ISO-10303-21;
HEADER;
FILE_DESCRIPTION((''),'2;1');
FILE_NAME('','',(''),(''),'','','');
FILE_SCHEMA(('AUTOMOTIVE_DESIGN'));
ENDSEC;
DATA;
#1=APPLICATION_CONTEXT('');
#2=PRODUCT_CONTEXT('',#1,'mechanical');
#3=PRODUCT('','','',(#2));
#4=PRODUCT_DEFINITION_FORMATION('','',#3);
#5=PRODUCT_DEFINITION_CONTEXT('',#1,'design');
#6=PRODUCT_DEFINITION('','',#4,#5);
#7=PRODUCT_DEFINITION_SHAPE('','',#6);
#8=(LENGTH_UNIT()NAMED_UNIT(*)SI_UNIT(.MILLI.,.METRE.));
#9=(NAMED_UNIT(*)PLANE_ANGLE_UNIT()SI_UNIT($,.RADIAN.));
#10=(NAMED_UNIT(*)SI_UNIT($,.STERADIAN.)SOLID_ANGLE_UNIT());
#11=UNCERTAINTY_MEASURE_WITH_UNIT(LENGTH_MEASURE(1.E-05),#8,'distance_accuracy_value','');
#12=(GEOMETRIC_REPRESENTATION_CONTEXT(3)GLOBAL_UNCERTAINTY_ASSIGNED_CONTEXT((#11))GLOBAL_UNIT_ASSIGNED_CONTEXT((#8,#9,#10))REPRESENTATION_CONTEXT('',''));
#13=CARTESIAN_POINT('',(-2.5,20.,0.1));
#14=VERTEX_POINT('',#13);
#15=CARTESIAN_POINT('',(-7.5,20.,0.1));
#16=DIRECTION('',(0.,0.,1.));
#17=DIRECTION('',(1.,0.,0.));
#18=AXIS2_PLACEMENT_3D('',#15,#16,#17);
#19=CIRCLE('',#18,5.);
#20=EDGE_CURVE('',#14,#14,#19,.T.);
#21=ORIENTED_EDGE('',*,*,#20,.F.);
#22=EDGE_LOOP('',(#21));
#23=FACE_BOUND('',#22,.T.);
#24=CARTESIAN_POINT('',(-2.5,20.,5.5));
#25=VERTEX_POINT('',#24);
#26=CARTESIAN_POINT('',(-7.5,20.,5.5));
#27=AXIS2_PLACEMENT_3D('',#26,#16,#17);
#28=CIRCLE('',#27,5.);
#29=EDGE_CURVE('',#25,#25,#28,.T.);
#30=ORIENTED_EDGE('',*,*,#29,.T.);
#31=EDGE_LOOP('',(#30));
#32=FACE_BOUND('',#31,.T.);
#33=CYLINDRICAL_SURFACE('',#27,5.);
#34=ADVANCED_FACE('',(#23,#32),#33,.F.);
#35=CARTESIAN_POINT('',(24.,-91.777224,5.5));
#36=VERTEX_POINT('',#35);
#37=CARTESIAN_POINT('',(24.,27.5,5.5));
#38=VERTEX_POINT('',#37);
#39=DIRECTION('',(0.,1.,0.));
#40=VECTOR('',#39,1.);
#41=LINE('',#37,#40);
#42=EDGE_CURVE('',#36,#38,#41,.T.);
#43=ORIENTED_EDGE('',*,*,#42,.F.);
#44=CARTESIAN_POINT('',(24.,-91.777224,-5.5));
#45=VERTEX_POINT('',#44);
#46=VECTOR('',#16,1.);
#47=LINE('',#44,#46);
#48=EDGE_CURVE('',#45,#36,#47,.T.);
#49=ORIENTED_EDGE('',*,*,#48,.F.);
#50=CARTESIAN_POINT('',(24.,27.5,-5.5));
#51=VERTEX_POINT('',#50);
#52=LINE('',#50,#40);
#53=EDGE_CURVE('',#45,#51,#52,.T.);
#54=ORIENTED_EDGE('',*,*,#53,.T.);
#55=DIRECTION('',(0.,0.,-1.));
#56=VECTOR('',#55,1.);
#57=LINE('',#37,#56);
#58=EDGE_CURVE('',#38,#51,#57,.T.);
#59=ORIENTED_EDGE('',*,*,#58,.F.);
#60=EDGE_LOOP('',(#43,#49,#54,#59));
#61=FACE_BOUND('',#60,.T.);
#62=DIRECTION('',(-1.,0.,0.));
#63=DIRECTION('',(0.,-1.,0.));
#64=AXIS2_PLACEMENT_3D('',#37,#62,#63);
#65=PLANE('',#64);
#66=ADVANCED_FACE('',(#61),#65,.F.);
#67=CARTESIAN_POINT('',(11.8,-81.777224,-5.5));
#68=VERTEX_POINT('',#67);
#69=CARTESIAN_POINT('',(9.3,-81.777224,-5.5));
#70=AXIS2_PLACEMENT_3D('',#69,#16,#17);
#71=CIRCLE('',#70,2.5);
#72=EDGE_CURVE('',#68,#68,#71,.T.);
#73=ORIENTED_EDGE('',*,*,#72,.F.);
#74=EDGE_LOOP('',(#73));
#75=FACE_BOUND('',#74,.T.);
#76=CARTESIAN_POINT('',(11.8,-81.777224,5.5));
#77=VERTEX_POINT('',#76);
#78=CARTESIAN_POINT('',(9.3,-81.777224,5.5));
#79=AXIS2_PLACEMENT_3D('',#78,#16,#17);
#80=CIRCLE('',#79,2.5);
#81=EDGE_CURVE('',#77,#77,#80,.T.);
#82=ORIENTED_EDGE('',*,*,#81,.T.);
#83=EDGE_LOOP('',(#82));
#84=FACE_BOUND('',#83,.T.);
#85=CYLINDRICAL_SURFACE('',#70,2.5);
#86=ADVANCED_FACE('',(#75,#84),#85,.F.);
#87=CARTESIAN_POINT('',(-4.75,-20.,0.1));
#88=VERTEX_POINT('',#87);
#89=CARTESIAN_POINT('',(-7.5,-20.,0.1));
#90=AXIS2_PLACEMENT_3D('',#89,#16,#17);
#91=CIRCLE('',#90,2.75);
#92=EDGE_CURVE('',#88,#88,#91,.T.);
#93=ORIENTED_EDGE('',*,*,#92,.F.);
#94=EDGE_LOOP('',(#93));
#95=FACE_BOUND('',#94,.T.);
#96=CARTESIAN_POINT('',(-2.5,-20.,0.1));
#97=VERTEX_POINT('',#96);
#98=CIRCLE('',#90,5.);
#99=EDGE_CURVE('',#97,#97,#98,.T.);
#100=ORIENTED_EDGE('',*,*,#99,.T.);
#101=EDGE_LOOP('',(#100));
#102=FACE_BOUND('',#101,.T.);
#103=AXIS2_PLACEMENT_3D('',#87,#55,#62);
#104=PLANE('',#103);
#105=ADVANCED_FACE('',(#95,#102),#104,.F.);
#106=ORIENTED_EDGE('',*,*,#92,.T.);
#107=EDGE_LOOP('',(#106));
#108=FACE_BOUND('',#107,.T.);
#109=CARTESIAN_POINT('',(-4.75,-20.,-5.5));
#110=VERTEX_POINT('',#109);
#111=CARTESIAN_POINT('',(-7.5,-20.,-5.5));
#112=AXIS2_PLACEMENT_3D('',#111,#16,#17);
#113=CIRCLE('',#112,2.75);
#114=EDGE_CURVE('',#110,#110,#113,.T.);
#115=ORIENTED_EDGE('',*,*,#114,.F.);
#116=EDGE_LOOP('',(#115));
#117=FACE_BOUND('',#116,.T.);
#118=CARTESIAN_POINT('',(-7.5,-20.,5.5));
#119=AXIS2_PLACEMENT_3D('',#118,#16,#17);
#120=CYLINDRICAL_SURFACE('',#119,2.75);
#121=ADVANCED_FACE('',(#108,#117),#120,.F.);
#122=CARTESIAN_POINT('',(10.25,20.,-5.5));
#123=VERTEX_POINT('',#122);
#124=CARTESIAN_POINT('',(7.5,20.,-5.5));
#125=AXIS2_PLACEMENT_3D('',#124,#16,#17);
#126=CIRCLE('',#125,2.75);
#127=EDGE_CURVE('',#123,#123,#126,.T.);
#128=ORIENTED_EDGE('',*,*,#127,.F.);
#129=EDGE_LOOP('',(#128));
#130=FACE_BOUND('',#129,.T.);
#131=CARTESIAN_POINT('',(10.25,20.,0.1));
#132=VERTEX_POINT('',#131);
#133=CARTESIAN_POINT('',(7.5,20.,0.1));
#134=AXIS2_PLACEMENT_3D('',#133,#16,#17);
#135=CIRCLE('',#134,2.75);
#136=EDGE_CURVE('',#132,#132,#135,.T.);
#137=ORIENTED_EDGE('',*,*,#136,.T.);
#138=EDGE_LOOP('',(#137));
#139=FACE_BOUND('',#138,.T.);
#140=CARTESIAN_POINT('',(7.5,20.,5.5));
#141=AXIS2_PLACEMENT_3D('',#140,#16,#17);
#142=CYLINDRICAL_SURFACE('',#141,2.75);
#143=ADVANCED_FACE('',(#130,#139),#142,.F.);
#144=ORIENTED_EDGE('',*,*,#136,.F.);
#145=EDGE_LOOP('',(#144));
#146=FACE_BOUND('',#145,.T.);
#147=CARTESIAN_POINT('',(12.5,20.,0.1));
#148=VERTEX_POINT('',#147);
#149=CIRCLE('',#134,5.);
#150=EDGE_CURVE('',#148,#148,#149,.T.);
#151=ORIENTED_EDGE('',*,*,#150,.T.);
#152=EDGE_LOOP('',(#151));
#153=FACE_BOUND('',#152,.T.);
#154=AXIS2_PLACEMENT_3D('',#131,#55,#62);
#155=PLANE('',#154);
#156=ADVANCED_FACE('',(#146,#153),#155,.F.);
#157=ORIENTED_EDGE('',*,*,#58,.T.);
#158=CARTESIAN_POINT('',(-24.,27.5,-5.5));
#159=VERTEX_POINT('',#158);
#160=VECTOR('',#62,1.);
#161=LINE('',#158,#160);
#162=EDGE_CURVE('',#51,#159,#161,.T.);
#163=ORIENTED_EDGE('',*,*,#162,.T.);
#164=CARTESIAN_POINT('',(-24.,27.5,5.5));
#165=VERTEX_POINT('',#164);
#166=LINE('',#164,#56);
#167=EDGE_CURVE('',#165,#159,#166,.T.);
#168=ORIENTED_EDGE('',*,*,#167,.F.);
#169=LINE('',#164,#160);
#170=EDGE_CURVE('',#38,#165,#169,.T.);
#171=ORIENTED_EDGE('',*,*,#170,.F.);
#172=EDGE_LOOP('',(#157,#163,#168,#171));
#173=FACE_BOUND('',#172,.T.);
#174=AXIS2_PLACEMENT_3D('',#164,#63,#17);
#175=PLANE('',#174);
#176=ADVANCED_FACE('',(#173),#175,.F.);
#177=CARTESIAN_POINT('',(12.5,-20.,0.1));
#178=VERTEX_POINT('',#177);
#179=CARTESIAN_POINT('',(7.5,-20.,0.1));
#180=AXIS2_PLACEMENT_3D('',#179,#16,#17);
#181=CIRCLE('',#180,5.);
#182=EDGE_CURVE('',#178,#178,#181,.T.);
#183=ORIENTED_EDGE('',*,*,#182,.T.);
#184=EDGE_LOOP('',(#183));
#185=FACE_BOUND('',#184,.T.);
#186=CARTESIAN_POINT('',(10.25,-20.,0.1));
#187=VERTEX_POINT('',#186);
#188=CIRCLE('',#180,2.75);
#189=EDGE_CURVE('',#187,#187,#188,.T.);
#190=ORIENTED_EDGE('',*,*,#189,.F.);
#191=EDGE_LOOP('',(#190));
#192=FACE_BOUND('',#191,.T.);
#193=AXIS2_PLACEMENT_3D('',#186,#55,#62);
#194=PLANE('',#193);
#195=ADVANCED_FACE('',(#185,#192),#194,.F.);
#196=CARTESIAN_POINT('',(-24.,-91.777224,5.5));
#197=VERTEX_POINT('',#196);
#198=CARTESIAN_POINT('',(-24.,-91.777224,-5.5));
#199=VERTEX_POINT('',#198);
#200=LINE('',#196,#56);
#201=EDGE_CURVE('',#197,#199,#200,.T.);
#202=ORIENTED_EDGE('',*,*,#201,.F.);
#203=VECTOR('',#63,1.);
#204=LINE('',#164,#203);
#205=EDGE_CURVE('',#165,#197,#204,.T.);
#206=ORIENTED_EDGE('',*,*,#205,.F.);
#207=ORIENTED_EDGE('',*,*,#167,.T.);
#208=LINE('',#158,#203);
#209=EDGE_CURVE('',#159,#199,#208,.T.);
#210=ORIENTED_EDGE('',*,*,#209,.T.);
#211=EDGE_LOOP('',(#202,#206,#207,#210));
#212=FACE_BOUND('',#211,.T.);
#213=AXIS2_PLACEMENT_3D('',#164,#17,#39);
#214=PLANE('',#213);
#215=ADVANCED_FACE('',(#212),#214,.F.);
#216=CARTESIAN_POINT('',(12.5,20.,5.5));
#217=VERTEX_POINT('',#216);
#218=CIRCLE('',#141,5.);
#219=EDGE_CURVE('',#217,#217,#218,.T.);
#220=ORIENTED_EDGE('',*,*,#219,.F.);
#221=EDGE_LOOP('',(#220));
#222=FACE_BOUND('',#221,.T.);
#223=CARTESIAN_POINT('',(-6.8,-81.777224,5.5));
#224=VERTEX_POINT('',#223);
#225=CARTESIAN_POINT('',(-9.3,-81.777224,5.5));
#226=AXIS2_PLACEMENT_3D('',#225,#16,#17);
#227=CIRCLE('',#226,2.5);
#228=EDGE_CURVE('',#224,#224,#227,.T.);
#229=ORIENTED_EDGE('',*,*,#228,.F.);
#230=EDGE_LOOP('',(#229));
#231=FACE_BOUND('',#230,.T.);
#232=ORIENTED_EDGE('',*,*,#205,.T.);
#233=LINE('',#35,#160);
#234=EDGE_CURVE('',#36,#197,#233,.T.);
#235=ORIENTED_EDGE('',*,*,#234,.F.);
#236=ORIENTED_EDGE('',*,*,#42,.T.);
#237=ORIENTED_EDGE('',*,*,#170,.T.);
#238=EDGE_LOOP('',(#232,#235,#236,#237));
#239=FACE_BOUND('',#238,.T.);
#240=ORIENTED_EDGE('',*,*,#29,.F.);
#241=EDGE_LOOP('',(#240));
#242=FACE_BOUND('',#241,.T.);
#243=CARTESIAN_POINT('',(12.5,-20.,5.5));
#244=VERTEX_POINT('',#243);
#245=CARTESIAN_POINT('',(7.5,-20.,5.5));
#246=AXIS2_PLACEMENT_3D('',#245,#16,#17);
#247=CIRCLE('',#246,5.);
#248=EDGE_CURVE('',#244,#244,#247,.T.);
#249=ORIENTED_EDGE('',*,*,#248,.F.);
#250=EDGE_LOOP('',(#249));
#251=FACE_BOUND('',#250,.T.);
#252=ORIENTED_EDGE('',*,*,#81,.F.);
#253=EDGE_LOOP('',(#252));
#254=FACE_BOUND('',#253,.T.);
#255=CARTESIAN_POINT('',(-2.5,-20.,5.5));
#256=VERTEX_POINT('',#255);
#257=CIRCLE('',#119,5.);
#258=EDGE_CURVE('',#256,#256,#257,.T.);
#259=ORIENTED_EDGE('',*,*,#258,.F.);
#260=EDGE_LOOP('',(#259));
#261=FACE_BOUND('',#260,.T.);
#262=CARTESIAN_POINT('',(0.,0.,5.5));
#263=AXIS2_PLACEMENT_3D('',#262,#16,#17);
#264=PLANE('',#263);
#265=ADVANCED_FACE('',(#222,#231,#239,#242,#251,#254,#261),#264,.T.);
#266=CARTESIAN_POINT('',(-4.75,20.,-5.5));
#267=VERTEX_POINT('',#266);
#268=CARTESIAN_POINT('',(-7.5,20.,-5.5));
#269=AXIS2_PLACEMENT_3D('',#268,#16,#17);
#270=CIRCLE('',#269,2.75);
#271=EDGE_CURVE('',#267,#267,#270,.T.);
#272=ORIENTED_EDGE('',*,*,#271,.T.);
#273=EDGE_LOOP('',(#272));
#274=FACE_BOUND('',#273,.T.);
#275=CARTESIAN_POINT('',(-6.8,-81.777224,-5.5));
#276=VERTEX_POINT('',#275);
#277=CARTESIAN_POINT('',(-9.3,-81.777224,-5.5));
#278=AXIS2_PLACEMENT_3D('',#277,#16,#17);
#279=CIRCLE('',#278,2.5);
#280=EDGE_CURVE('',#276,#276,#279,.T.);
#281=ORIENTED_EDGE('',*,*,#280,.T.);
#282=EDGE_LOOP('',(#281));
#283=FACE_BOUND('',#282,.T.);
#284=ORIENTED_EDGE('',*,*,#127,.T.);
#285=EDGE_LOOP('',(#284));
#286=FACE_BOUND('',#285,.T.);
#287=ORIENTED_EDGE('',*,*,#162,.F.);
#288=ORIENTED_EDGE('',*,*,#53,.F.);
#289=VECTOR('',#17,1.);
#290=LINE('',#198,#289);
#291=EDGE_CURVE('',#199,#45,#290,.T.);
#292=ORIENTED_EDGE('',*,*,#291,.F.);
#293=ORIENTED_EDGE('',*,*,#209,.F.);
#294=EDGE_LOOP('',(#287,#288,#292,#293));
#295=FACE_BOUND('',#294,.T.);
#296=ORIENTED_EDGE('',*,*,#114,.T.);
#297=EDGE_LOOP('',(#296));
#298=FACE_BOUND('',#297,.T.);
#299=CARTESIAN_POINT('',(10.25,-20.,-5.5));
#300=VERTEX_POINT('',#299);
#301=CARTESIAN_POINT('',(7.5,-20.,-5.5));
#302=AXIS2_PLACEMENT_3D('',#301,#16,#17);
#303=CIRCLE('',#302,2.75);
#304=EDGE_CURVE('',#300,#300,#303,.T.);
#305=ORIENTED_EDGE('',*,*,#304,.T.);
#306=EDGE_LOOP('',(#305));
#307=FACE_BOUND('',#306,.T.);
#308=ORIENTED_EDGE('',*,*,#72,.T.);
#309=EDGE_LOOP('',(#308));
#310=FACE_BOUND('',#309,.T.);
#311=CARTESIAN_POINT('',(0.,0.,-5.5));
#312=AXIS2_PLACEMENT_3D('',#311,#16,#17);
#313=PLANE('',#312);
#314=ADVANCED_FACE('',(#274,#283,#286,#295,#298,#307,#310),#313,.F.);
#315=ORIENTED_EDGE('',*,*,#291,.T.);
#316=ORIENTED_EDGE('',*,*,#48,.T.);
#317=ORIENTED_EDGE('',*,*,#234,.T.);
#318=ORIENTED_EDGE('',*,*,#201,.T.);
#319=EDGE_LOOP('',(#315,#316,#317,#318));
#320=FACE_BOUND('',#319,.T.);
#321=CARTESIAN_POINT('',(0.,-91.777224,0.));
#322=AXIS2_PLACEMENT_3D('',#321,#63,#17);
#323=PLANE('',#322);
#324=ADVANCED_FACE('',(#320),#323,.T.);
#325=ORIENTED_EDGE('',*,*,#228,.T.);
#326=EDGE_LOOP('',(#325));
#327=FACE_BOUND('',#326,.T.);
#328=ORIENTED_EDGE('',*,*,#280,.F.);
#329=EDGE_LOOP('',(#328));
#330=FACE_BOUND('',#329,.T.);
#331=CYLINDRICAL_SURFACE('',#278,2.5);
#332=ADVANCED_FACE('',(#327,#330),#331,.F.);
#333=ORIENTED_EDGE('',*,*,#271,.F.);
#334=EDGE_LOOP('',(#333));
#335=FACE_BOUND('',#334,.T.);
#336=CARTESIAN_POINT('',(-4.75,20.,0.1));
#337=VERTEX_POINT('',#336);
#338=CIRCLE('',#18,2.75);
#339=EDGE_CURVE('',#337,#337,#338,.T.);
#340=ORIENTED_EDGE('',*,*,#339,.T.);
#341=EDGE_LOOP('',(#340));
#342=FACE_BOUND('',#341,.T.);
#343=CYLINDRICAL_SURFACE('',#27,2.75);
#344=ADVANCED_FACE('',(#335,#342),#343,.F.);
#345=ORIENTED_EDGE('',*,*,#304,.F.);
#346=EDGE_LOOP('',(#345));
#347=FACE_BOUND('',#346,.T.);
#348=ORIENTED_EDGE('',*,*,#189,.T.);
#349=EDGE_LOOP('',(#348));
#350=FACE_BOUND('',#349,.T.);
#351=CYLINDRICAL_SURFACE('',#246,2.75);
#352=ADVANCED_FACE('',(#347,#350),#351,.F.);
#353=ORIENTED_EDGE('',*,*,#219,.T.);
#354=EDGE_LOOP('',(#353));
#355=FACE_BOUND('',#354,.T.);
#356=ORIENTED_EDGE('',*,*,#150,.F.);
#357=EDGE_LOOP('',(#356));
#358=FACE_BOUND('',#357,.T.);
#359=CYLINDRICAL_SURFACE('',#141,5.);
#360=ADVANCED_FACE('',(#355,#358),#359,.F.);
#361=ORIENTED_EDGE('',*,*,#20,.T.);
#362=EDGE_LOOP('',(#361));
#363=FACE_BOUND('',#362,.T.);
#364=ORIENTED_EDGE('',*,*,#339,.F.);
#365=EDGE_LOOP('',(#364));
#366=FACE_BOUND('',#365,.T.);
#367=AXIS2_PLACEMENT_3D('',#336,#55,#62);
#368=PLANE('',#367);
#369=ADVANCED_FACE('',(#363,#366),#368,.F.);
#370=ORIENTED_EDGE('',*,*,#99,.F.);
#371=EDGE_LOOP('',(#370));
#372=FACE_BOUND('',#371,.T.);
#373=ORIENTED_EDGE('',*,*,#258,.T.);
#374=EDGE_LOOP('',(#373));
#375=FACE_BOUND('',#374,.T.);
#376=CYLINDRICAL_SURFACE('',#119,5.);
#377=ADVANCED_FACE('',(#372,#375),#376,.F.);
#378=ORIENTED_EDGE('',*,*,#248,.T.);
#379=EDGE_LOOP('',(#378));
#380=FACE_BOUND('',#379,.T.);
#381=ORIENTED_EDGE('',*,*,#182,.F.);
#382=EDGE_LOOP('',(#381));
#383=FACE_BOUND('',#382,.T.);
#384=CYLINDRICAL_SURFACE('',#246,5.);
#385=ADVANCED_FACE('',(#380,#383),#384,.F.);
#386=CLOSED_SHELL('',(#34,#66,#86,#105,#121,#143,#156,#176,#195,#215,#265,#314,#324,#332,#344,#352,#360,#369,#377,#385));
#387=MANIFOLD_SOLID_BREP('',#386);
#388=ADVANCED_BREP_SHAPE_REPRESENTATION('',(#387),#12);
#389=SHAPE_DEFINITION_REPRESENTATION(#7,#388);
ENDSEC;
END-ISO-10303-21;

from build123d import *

# Parameters (mm, degrees)
SKETCH_1_W                   = 48
SKETCH_1_H                   = 55
EXTRUDE_1_DEPTH              = 5.5
HOLE_WIZARD_M5_1_D           = 5.5
HOLE_WIZARD_M5_1_CBORE_D     = 10
HOLE_WIZARD_M5_1_CBORE_DEPTH = 5.4
MIRROR_2_COPY_1_D            = 5.5
MIRROR_2_COPY_1_CBORE_D      = 10
MIRROR_2_COPY_1_CBORE_DEPTH  = 5.4
SKETCH_4_W                   = 48
SKETCH_4_H                   = 11
EXTRUDE_2_DEPTH              = 64.277224085
SKETCH_5_R                   = 2.5
CUT_EXTRUDE_1_DEPTH          = 96.498999266


with BuildPart() as part:
    # 草图1 → 凸台-拉伸1 (new, symmetric)
    with BuildSketch(Plane.XY):
        Rectangle(SKETCH_1_W, SKETCH_1_H)
    extrude(amount=EXTRUDE_1_DEPTH, both=True)

    # M5 六角凹头螺钉的柱形沉头孔1 (through all)
    with Locations(Plane(origin=(-7.5, -20, 5.5), x_dir=(1, 0, 0), z_dir=(0, 0, 1))):
        with Locations((0, 0)):
            hole_wizard_m5_1 = CounterBoreHole(HOLE_WIZARD_M5_1_D / 2, HOLE_WIZARD_M5_1_CBORE_D / 2, HOLE_WIZARD_M5_1_CBORE_DEPTH)

    # 镜向1: M5 六角凹头螺钉的柱形沉头孔1 across plane
    add(hole_wizard_m5_1.mirror(Plane(origin=(0, 0, 0), x_dir=(0, 0, 1), z_dir=(1, 0, 0))), mode=Mode.SUBTRACT)

    # 镜向2: M5 六角凹头螺钉的柱形沉头孔1 across plane
    add(hole_wizard_m5_1.mirror(Plane.ZX), mode=Mode.SUBTRACT)

    # 镜向2 copy 1 (through all)
    with Locations(Plane(origin=(7.5, 20, 5.5), x_dir=(-1, 0, 0), z_dir=(0, 0, 1))):
        with Locations((0, 0)):
            CounterBoreHole(MIRROR_2_COPY_1_D / 2, MIRROR_2_COPY_1_CBORE_D / 2, MIRROR_2_COPY_1_CBORE_DEPTH)

    # 草图4 → 凸台-拉伸2 (add)
    with BuildSketch(Plane.XZ.offset(27.5)):
        Rectangle(SKETCH_4_W, SKETCH_4_H)
    extrude(amount=EXTRUDE_2_DEPTH)

    # 草图5 → 切除-拉伸1 (cut, through all)
    with BuildSketch(Plane.XY.offset(5.5)):
        with Locations((-9.3, -81.777224085)):
            Circle(SKETCH_5_R)
        with Locations((9.3, -81.777224085)):
            Circle(SKETCH_5_R)
    extrude(amount=-CUT_EXTRUDE_1_DEPTH, mode=Mode.SUBTRACT)


solid = part.part
